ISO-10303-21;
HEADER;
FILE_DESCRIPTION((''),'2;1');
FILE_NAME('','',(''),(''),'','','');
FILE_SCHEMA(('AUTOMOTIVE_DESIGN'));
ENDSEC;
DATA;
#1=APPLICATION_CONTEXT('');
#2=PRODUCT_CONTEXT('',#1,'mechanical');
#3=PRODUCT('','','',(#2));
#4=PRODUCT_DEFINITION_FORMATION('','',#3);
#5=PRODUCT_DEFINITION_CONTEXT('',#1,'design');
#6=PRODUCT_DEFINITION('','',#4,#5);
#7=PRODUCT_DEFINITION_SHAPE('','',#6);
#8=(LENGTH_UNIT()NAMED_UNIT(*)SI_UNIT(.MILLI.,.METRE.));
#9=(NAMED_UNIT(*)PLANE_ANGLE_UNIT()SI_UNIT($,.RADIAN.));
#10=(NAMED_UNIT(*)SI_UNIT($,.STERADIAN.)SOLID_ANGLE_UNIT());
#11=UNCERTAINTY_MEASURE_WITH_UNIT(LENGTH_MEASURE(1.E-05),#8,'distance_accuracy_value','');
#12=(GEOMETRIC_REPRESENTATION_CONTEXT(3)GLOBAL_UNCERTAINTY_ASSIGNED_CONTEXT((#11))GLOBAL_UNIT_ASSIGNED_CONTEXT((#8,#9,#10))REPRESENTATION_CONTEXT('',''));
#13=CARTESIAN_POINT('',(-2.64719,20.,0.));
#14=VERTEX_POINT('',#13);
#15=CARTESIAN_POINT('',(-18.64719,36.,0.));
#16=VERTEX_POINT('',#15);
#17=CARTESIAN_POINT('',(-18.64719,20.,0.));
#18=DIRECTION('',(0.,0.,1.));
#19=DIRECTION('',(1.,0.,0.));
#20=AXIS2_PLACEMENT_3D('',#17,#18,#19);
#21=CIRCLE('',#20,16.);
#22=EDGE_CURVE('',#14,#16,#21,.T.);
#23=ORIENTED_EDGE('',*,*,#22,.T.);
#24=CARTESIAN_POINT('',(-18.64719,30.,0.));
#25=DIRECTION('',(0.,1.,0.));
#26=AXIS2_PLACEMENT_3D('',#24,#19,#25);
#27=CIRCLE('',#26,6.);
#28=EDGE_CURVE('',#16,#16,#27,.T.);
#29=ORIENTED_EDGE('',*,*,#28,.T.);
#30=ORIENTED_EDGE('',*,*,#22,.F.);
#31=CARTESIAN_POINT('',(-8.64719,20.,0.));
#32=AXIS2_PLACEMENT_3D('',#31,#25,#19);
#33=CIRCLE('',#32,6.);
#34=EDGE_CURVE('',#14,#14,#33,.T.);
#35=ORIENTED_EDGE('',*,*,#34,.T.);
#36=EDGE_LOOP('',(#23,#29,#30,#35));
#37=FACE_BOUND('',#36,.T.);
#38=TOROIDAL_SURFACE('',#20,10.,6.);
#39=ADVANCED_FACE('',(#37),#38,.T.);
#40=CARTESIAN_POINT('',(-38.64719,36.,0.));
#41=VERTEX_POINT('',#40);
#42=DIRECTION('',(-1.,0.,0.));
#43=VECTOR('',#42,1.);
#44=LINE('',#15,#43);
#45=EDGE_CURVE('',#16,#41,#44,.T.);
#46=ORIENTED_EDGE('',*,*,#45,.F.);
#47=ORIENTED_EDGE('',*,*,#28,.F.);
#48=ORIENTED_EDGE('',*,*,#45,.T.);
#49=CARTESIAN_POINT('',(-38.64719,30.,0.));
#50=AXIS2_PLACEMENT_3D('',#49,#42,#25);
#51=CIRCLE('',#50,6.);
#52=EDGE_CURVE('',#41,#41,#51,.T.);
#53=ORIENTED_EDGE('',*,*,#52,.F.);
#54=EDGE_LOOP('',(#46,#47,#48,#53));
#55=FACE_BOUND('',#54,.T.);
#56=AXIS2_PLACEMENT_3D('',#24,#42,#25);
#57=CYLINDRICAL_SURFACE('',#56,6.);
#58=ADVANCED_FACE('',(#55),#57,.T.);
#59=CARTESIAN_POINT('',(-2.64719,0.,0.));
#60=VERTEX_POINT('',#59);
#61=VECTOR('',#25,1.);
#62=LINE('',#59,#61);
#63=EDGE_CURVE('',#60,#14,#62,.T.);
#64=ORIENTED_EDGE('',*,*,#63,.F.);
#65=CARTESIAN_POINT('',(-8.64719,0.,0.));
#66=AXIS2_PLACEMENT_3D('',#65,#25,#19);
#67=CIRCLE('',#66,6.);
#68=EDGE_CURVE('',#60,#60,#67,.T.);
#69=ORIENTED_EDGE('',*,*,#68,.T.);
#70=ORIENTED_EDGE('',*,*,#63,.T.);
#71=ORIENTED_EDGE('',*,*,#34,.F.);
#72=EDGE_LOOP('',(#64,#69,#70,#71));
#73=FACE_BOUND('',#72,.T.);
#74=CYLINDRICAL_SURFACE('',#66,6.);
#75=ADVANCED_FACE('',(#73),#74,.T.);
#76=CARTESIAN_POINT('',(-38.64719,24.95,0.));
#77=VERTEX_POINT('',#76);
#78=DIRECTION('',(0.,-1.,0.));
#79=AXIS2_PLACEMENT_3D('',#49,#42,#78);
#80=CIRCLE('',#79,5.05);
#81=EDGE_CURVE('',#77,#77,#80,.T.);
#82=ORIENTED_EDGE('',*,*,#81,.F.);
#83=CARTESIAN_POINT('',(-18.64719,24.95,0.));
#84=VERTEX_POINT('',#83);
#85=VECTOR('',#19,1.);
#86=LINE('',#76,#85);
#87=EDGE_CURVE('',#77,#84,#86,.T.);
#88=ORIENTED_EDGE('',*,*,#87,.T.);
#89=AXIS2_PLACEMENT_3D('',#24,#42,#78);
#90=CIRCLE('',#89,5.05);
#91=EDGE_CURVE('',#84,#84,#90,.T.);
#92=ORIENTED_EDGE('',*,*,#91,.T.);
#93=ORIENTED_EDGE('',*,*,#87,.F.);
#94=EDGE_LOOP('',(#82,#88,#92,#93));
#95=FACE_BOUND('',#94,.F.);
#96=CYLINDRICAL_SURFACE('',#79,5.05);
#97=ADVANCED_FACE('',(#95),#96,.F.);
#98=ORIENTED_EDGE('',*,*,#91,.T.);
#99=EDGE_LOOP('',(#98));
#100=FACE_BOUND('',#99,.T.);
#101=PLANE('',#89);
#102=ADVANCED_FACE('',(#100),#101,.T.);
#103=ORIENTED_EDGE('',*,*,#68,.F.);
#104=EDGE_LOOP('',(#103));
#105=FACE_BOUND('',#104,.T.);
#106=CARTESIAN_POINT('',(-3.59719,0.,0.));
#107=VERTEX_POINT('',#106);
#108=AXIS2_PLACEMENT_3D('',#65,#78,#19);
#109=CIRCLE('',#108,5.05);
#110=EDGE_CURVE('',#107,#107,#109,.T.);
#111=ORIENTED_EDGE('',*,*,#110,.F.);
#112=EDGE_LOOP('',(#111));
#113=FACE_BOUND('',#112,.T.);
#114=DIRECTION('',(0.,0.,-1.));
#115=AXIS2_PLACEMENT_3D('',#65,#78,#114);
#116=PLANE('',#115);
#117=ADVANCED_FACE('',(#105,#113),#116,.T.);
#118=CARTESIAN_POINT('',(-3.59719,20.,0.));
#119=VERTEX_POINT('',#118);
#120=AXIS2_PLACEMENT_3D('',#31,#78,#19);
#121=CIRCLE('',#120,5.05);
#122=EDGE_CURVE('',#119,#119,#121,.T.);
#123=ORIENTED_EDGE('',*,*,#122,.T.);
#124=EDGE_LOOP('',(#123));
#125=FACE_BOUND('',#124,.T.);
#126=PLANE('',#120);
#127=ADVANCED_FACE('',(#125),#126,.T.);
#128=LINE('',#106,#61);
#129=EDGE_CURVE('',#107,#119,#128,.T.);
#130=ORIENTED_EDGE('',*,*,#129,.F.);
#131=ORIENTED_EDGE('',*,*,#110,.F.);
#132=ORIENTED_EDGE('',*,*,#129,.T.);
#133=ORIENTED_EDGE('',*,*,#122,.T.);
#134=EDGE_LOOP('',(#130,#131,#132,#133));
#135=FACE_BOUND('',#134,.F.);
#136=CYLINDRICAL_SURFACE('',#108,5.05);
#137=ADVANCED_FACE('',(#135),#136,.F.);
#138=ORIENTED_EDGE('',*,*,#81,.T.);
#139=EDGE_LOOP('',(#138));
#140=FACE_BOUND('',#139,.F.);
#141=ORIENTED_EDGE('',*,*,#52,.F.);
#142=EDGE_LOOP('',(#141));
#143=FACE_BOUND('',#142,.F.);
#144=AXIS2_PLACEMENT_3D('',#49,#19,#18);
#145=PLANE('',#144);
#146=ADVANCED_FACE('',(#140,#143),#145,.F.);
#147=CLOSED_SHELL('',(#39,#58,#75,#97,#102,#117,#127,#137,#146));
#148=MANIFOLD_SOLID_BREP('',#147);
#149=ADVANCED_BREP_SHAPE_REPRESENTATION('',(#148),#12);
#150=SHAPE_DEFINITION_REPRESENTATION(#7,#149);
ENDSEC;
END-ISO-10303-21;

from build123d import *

# Parameters (mm, degrees)
F1_R     = 6
F4_R     = 5.05
F5_DEPTH = 20
F6_R     = 5.05
F7_DEPTH = 20


with BuildPart() as f3:
    # F3: sweep along a path in F0
    with BuildLine(Plane.XY) as f3_path:
        Line((-8.6471897678, 0), (-8.6471897678, 20))
        ThreePointArc((-8.6471897678, 20), (-11.5761219559, 27.0710678119), (-18.6471897678, 30))
        Line((-18.6471897678, 30), (-38.6471897678, 30))
    # F1 (on Front) → F3 (sweep)
    with BuildSketch(Plane.XZ):
        with Locations((-8.6471897678, 0)):
            Circle(F1_R)
    sweep(path=f3_path.line)

    # F4 (on face) → F5 (cut)
    with BuildSketch(Plane.XZ):
        with Locations((-8.6471897678, 0)):
            Circle(F4_R)
    extrude(amount=-F5_DEPTH, mode=Mode.SUBTRACT)

    # F6 (on face) → F7 (cut)
    with BuildSketch(Plane(origin=(-38.6471897678, 0, 0), x_dir=(0, -1, 0), z_dir=(-1, 0, 0))):
        with Locations((-30, 0)):
            Circle(F6_R)
    extrude(amount=-F7_DEPTH, mode=Mode.SUBTRACT)


solid = f3.part
